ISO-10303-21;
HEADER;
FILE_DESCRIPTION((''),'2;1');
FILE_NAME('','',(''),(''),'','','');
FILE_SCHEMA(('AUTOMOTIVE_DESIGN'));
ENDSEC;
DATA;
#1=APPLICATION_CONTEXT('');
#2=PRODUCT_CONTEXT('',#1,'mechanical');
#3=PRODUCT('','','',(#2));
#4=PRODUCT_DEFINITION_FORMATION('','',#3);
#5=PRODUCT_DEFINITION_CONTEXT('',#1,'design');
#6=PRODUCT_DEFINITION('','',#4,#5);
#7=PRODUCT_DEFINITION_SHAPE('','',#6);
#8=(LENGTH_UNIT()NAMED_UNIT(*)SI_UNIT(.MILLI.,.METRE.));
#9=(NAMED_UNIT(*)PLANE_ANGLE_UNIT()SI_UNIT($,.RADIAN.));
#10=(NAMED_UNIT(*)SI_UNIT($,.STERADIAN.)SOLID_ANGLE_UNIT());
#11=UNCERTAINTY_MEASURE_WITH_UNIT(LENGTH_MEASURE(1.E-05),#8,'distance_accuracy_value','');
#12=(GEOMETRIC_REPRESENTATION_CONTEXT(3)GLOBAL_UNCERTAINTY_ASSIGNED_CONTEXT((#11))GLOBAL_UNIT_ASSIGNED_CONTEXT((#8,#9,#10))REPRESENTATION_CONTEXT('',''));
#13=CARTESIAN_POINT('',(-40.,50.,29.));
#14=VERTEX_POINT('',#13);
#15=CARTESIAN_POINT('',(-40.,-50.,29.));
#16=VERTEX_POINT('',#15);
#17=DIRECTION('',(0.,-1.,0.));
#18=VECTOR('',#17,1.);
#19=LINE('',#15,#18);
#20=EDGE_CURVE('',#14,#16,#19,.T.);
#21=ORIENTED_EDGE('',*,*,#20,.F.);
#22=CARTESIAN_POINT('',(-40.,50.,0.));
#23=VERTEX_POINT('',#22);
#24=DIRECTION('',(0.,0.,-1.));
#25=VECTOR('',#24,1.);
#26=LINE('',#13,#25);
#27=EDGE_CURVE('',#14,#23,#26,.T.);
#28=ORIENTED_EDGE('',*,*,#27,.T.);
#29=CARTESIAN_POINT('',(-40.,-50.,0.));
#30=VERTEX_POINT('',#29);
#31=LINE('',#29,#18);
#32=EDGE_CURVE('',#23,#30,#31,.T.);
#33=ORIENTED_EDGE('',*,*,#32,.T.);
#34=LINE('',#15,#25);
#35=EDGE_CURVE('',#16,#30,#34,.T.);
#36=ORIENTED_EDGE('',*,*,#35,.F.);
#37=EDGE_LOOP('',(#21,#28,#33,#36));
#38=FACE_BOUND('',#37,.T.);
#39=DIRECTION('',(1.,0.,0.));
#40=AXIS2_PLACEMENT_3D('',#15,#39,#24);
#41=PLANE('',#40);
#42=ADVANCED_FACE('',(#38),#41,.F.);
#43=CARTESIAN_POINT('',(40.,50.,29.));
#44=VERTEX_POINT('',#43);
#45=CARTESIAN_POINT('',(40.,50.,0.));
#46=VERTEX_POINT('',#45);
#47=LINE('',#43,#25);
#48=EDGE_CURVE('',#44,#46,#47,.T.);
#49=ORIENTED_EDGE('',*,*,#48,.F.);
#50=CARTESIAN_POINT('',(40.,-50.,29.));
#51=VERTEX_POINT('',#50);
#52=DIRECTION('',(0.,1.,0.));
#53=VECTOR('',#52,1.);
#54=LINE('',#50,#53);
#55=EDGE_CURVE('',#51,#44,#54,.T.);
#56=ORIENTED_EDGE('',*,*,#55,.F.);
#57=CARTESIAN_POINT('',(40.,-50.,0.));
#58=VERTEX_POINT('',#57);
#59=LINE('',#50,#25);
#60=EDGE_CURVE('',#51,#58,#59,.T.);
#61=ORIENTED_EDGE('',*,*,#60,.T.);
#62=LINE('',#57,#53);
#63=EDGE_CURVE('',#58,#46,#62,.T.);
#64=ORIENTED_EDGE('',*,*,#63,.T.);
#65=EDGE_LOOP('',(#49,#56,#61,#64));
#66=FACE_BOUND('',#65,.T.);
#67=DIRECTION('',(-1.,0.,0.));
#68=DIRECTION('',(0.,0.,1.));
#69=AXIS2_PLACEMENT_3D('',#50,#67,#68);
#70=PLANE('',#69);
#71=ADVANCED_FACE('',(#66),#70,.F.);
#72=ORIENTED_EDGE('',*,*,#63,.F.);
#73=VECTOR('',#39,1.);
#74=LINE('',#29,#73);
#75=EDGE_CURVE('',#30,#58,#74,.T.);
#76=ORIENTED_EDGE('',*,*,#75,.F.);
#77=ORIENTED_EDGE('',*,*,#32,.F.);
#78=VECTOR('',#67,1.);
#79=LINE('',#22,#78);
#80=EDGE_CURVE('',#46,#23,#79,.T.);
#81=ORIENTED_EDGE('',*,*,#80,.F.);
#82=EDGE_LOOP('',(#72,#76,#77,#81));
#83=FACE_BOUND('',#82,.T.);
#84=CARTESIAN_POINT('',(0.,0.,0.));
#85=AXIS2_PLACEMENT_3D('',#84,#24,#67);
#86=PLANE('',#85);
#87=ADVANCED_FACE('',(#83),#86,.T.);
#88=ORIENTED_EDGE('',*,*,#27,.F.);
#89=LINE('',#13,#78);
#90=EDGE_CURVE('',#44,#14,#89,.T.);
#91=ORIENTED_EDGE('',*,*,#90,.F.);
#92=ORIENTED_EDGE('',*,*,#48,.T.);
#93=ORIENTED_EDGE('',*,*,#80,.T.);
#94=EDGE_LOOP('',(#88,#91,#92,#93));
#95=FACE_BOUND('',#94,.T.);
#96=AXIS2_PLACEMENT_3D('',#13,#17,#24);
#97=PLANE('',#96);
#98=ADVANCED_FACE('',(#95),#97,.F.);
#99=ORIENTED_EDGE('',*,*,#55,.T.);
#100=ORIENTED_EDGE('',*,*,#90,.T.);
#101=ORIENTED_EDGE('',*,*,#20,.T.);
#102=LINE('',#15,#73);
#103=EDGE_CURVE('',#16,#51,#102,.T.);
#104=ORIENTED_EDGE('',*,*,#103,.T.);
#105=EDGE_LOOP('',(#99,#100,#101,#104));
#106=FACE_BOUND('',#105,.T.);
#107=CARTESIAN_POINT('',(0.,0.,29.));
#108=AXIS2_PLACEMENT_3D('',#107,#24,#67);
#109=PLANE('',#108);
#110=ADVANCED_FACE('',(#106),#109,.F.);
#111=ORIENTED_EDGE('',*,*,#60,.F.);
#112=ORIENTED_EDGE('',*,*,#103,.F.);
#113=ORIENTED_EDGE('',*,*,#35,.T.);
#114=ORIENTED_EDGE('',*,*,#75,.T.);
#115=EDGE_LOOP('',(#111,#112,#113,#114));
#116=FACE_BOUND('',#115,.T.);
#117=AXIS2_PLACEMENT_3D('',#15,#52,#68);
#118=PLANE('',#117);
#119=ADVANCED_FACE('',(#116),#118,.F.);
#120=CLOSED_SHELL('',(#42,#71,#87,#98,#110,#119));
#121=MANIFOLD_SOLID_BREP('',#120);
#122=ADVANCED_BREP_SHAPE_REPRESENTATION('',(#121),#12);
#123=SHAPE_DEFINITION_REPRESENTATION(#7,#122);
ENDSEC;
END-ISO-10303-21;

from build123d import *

# Parameters (mm, degrees)
SKETCH1_W           = 80
SKETCH1_H           = 100
BOSS_EXTRUDE1_DEPTH = 29


with BuildPart() as part:
    # Sketch1 → Boss-Extrude1 (new body)
    with BuildSketch(Plane.XY):
        Rectangle(SKETCH1_W, SKETCH1_H)
    extrude(amount=BOSS_EXTRUDE1_DEPTH)


solid = part.part
